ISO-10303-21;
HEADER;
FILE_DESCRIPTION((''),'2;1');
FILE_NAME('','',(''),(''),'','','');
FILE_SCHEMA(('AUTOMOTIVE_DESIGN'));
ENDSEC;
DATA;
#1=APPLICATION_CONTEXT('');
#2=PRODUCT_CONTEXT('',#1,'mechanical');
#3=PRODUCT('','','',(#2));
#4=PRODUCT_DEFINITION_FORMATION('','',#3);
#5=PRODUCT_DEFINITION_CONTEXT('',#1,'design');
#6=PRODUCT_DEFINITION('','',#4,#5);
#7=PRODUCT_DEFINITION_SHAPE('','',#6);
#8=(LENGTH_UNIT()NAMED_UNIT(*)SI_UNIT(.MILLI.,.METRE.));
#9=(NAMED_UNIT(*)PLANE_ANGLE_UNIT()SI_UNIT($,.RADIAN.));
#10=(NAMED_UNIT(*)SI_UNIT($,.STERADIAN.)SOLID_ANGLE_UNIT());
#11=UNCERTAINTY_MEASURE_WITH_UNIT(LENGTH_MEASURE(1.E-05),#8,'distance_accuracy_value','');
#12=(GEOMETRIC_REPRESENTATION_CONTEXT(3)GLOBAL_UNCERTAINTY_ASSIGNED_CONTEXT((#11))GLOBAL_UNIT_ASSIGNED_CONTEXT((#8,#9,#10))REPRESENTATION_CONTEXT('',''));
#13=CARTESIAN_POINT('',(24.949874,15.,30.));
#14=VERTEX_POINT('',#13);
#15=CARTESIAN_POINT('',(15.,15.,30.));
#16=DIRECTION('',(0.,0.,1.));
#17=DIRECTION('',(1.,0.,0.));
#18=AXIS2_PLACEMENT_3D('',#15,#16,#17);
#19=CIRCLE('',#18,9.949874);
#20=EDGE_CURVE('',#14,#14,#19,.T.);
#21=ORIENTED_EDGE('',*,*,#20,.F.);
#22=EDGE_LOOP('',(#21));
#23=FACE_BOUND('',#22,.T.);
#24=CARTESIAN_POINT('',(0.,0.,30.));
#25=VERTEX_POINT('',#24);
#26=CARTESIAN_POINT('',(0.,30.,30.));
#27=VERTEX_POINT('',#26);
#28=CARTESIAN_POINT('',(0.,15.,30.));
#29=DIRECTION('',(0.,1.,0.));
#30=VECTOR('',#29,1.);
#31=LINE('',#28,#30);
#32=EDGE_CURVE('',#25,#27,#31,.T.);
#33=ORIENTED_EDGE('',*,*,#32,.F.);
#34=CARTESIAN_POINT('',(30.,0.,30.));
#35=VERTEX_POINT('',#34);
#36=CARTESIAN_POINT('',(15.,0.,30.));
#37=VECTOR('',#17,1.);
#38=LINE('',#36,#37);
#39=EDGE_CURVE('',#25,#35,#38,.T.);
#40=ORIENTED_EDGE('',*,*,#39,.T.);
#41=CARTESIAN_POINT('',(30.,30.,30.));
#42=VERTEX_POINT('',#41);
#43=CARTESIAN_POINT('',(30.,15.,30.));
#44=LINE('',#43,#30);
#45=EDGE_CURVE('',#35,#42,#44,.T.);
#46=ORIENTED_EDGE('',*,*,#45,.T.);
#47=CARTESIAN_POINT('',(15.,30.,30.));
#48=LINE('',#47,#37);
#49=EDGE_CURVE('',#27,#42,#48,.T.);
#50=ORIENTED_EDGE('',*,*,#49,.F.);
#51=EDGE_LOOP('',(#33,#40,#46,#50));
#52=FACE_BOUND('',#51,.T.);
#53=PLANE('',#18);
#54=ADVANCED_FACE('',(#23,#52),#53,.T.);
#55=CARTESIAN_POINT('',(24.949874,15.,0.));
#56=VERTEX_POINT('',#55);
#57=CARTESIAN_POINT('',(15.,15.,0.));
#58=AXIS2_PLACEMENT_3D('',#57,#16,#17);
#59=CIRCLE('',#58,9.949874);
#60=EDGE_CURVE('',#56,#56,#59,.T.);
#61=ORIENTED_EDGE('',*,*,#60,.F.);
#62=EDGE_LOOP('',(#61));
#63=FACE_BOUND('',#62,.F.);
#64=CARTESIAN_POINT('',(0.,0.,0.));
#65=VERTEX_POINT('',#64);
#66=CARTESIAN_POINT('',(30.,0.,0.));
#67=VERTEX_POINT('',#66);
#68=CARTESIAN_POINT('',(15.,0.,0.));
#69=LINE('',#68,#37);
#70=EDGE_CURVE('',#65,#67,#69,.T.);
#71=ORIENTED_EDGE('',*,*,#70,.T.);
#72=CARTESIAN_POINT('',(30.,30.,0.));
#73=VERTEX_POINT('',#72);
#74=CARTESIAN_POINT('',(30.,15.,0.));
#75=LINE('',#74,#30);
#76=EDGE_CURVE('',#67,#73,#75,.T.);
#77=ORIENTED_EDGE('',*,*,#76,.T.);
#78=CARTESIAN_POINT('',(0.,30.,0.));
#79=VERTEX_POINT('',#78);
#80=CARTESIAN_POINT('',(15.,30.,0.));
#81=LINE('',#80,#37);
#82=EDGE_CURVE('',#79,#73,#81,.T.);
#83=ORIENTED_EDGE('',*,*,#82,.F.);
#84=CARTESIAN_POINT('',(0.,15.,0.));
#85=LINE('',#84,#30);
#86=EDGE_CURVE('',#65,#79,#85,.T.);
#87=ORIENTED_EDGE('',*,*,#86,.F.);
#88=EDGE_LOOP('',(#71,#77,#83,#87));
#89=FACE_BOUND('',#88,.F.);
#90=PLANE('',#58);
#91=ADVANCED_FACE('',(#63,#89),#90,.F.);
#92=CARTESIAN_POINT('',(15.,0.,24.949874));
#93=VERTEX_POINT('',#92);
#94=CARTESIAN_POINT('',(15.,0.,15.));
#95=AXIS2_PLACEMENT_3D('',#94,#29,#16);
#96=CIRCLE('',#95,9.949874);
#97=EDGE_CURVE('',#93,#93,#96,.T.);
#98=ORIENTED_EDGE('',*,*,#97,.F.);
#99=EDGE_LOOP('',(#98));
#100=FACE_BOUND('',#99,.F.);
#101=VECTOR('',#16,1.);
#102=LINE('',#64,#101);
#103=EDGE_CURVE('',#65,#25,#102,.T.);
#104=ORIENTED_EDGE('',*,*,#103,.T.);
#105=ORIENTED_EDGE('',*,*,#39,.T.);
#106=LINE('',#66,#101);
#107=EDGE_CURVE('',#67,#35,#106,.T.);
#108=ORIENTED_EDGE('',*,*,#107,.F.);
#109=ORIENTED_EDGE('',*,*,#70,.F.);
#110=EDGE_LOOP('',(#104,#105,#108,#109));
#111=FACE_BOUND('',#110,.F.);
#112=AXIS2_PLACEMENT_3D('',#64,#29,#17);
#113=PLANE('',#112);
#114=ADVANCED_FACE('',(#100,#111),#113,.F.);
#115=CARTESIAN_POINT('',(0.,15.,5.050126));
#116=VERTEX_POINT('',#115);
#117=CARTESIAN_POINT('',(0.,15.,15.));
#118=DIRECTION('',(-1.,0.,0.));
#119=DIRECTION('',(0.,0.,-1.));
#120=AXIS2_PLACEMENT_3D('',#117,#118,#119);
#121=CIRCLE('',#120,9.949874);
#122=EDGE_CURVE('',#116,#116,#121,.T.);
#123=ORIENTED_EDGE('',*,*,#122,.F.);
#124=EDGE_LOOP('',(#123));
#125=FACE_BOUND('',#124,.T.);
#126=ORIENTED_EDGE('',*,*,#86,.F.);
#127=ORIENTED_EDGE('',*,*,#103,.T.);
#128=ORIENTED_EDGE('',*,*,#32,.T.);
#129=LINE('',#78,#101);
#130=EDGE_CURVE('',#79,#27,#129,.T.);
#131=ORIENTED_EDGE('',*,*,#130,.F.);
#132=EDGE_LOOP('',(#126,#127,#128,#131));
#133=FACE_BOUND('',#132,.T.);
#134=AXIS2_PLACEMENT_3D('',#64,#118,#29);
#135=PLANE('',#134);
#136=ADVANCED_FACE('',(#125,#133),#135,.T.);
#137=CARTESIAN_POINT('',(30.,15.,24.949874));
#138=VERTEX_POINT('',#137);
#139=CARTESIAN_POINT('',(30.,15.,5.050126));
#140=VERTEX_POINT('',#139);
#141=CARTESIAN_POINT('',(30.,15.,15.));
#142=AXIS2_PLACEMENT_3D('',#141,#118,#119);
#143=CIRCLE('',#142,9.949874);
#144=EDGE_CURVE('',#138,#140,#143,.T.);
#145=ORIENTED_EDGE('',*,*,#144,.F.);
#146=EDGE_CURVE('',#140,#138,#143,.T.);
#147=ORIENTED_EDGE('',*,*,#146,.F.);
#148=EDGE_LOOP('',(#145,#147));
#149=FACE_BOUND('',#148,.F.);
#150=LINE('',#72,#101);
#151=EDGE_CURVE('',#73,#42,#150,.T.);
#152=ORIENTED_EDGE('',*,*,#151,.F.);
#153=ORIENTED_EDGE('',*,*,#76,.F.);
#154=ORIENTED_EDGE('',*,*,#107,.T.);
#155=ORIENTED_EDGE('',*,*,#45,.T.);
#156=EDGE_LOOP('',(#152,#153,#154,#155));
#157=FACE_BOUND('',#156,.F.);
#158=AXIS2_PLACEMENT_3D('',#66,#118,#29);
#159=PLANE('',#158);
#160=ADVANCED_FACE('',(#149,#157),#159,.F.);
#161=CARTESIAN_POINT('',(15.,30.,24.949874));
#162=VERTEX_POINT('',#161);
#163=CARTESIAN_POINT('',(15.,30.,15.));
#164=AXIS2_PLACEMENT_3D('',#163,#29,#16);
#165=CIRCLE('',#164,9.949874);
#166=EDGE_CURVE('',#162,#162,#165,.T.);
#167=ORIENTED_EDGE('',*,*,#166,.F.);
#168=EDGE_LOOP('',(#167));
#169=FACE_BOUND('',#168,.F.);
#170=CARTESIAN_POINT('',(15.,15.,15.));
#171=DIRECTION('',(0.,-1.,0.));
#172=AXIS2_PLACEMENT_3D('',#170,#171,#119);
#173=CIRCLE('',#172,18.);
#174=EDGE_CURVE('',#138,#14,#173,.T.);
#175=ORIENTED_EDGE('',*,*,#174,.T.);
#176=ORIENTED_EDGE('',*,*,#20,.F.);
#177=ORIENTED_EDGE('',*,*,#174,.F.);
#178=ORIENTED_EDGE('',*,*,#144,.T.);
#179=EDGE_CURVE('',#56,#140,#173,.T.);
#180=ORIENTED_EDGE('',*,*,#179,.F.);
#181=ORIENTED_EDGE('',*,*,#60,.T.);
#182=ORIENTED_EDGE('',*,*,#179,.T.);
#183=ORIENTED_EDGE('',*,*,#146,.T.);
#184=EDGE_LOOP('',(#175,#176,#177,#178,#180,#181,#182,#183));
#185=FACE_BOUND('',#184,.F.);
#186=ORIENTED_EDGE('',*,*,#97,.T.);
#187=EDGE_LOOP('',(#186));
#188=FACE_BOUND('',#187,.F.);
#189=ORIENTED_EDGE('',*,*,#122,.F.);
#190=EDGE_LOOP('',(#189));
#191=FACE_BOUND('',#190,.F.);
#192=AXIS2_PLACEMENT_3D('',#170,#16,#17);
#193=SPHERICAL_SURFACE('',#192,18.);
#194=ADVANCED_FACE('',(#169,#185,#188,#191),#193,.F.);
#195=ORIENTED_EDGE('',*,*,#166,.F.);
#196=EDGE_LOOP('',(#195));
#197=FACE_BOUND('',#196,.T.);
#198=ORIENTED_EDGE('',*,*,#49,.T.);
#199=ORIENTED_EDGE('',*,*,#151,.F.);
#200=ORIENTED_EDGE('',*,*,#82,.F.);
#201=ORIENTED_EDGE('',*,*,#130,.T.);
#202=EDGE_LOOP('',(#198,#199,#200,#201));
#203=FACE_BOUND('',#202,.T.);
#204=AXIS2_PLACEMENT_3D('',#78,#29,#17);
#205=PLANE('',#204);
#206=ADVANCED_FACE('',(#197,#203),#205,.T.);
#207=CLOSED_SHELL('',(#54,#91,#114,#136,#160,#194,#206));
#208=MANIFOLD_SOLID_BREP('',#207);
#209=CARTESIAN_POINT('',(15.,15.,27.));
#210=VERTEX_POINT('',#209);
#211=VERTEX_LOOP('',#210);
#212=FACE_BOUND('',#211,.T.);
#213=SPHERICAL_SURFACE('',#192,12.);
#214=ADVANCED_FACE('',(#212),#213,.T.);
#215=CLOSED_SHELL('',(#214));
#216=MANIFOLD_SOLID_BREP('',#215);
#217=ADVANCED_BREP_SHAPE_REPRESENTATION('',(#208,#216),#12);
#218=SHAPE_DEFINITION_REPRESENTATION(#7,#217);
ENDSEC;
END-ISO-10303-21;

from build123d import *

# Parameters (mm, degrees)
BOX_W     = 30
BOX_H     = 30
BOX_DEPTH = 30


with BuildPart() as esfera001:
    # Sphere001 → Sphere001 (revolve)
    with BuildSketch(Plane(origin=(15, 15, 15), x_dir=(1, 0, 0), z_dir=(0, -1, 0))):
        with BuildLine():
            ThreePointArc((0, -12), (12, 0), (0, 12))
            Line((0, 12), (0, -12))
        make_face()
    revolve(axis=Axis((15, 15, 15), (0, 0, 1)))


with BuildPart() as esfera:
    # Sphere → Sphere (revolve)
    with BuildSketch(Plane(origin=(15, 15, 15), x_dir=(1, 0, 0), z_dir=(0, -1, 0))):
        with BuildLine():
            ThreePointArc((0, -18), (18, 0), (0, 18))
            Line((0, 18), (0, -18))
        make_face()
    revolve(axis=Axis((15, 15, 15), (0, 0, 1)))


with BuildPart() as fusion:
    # Box → Box (new body)
    with BuildSketch(Plane.XY):
        with Locations((15, 15)):
            Rectangle(BOX_W, BOX_H)
    extrude(amount=BOX_DEPTH)

    # Cut: cut Esfera
    add(esfera.part, mode=Mode.SUBTRACT)

    # Fusion: union Esfera001
    add(esfera001.part)


solid = fusion.part
